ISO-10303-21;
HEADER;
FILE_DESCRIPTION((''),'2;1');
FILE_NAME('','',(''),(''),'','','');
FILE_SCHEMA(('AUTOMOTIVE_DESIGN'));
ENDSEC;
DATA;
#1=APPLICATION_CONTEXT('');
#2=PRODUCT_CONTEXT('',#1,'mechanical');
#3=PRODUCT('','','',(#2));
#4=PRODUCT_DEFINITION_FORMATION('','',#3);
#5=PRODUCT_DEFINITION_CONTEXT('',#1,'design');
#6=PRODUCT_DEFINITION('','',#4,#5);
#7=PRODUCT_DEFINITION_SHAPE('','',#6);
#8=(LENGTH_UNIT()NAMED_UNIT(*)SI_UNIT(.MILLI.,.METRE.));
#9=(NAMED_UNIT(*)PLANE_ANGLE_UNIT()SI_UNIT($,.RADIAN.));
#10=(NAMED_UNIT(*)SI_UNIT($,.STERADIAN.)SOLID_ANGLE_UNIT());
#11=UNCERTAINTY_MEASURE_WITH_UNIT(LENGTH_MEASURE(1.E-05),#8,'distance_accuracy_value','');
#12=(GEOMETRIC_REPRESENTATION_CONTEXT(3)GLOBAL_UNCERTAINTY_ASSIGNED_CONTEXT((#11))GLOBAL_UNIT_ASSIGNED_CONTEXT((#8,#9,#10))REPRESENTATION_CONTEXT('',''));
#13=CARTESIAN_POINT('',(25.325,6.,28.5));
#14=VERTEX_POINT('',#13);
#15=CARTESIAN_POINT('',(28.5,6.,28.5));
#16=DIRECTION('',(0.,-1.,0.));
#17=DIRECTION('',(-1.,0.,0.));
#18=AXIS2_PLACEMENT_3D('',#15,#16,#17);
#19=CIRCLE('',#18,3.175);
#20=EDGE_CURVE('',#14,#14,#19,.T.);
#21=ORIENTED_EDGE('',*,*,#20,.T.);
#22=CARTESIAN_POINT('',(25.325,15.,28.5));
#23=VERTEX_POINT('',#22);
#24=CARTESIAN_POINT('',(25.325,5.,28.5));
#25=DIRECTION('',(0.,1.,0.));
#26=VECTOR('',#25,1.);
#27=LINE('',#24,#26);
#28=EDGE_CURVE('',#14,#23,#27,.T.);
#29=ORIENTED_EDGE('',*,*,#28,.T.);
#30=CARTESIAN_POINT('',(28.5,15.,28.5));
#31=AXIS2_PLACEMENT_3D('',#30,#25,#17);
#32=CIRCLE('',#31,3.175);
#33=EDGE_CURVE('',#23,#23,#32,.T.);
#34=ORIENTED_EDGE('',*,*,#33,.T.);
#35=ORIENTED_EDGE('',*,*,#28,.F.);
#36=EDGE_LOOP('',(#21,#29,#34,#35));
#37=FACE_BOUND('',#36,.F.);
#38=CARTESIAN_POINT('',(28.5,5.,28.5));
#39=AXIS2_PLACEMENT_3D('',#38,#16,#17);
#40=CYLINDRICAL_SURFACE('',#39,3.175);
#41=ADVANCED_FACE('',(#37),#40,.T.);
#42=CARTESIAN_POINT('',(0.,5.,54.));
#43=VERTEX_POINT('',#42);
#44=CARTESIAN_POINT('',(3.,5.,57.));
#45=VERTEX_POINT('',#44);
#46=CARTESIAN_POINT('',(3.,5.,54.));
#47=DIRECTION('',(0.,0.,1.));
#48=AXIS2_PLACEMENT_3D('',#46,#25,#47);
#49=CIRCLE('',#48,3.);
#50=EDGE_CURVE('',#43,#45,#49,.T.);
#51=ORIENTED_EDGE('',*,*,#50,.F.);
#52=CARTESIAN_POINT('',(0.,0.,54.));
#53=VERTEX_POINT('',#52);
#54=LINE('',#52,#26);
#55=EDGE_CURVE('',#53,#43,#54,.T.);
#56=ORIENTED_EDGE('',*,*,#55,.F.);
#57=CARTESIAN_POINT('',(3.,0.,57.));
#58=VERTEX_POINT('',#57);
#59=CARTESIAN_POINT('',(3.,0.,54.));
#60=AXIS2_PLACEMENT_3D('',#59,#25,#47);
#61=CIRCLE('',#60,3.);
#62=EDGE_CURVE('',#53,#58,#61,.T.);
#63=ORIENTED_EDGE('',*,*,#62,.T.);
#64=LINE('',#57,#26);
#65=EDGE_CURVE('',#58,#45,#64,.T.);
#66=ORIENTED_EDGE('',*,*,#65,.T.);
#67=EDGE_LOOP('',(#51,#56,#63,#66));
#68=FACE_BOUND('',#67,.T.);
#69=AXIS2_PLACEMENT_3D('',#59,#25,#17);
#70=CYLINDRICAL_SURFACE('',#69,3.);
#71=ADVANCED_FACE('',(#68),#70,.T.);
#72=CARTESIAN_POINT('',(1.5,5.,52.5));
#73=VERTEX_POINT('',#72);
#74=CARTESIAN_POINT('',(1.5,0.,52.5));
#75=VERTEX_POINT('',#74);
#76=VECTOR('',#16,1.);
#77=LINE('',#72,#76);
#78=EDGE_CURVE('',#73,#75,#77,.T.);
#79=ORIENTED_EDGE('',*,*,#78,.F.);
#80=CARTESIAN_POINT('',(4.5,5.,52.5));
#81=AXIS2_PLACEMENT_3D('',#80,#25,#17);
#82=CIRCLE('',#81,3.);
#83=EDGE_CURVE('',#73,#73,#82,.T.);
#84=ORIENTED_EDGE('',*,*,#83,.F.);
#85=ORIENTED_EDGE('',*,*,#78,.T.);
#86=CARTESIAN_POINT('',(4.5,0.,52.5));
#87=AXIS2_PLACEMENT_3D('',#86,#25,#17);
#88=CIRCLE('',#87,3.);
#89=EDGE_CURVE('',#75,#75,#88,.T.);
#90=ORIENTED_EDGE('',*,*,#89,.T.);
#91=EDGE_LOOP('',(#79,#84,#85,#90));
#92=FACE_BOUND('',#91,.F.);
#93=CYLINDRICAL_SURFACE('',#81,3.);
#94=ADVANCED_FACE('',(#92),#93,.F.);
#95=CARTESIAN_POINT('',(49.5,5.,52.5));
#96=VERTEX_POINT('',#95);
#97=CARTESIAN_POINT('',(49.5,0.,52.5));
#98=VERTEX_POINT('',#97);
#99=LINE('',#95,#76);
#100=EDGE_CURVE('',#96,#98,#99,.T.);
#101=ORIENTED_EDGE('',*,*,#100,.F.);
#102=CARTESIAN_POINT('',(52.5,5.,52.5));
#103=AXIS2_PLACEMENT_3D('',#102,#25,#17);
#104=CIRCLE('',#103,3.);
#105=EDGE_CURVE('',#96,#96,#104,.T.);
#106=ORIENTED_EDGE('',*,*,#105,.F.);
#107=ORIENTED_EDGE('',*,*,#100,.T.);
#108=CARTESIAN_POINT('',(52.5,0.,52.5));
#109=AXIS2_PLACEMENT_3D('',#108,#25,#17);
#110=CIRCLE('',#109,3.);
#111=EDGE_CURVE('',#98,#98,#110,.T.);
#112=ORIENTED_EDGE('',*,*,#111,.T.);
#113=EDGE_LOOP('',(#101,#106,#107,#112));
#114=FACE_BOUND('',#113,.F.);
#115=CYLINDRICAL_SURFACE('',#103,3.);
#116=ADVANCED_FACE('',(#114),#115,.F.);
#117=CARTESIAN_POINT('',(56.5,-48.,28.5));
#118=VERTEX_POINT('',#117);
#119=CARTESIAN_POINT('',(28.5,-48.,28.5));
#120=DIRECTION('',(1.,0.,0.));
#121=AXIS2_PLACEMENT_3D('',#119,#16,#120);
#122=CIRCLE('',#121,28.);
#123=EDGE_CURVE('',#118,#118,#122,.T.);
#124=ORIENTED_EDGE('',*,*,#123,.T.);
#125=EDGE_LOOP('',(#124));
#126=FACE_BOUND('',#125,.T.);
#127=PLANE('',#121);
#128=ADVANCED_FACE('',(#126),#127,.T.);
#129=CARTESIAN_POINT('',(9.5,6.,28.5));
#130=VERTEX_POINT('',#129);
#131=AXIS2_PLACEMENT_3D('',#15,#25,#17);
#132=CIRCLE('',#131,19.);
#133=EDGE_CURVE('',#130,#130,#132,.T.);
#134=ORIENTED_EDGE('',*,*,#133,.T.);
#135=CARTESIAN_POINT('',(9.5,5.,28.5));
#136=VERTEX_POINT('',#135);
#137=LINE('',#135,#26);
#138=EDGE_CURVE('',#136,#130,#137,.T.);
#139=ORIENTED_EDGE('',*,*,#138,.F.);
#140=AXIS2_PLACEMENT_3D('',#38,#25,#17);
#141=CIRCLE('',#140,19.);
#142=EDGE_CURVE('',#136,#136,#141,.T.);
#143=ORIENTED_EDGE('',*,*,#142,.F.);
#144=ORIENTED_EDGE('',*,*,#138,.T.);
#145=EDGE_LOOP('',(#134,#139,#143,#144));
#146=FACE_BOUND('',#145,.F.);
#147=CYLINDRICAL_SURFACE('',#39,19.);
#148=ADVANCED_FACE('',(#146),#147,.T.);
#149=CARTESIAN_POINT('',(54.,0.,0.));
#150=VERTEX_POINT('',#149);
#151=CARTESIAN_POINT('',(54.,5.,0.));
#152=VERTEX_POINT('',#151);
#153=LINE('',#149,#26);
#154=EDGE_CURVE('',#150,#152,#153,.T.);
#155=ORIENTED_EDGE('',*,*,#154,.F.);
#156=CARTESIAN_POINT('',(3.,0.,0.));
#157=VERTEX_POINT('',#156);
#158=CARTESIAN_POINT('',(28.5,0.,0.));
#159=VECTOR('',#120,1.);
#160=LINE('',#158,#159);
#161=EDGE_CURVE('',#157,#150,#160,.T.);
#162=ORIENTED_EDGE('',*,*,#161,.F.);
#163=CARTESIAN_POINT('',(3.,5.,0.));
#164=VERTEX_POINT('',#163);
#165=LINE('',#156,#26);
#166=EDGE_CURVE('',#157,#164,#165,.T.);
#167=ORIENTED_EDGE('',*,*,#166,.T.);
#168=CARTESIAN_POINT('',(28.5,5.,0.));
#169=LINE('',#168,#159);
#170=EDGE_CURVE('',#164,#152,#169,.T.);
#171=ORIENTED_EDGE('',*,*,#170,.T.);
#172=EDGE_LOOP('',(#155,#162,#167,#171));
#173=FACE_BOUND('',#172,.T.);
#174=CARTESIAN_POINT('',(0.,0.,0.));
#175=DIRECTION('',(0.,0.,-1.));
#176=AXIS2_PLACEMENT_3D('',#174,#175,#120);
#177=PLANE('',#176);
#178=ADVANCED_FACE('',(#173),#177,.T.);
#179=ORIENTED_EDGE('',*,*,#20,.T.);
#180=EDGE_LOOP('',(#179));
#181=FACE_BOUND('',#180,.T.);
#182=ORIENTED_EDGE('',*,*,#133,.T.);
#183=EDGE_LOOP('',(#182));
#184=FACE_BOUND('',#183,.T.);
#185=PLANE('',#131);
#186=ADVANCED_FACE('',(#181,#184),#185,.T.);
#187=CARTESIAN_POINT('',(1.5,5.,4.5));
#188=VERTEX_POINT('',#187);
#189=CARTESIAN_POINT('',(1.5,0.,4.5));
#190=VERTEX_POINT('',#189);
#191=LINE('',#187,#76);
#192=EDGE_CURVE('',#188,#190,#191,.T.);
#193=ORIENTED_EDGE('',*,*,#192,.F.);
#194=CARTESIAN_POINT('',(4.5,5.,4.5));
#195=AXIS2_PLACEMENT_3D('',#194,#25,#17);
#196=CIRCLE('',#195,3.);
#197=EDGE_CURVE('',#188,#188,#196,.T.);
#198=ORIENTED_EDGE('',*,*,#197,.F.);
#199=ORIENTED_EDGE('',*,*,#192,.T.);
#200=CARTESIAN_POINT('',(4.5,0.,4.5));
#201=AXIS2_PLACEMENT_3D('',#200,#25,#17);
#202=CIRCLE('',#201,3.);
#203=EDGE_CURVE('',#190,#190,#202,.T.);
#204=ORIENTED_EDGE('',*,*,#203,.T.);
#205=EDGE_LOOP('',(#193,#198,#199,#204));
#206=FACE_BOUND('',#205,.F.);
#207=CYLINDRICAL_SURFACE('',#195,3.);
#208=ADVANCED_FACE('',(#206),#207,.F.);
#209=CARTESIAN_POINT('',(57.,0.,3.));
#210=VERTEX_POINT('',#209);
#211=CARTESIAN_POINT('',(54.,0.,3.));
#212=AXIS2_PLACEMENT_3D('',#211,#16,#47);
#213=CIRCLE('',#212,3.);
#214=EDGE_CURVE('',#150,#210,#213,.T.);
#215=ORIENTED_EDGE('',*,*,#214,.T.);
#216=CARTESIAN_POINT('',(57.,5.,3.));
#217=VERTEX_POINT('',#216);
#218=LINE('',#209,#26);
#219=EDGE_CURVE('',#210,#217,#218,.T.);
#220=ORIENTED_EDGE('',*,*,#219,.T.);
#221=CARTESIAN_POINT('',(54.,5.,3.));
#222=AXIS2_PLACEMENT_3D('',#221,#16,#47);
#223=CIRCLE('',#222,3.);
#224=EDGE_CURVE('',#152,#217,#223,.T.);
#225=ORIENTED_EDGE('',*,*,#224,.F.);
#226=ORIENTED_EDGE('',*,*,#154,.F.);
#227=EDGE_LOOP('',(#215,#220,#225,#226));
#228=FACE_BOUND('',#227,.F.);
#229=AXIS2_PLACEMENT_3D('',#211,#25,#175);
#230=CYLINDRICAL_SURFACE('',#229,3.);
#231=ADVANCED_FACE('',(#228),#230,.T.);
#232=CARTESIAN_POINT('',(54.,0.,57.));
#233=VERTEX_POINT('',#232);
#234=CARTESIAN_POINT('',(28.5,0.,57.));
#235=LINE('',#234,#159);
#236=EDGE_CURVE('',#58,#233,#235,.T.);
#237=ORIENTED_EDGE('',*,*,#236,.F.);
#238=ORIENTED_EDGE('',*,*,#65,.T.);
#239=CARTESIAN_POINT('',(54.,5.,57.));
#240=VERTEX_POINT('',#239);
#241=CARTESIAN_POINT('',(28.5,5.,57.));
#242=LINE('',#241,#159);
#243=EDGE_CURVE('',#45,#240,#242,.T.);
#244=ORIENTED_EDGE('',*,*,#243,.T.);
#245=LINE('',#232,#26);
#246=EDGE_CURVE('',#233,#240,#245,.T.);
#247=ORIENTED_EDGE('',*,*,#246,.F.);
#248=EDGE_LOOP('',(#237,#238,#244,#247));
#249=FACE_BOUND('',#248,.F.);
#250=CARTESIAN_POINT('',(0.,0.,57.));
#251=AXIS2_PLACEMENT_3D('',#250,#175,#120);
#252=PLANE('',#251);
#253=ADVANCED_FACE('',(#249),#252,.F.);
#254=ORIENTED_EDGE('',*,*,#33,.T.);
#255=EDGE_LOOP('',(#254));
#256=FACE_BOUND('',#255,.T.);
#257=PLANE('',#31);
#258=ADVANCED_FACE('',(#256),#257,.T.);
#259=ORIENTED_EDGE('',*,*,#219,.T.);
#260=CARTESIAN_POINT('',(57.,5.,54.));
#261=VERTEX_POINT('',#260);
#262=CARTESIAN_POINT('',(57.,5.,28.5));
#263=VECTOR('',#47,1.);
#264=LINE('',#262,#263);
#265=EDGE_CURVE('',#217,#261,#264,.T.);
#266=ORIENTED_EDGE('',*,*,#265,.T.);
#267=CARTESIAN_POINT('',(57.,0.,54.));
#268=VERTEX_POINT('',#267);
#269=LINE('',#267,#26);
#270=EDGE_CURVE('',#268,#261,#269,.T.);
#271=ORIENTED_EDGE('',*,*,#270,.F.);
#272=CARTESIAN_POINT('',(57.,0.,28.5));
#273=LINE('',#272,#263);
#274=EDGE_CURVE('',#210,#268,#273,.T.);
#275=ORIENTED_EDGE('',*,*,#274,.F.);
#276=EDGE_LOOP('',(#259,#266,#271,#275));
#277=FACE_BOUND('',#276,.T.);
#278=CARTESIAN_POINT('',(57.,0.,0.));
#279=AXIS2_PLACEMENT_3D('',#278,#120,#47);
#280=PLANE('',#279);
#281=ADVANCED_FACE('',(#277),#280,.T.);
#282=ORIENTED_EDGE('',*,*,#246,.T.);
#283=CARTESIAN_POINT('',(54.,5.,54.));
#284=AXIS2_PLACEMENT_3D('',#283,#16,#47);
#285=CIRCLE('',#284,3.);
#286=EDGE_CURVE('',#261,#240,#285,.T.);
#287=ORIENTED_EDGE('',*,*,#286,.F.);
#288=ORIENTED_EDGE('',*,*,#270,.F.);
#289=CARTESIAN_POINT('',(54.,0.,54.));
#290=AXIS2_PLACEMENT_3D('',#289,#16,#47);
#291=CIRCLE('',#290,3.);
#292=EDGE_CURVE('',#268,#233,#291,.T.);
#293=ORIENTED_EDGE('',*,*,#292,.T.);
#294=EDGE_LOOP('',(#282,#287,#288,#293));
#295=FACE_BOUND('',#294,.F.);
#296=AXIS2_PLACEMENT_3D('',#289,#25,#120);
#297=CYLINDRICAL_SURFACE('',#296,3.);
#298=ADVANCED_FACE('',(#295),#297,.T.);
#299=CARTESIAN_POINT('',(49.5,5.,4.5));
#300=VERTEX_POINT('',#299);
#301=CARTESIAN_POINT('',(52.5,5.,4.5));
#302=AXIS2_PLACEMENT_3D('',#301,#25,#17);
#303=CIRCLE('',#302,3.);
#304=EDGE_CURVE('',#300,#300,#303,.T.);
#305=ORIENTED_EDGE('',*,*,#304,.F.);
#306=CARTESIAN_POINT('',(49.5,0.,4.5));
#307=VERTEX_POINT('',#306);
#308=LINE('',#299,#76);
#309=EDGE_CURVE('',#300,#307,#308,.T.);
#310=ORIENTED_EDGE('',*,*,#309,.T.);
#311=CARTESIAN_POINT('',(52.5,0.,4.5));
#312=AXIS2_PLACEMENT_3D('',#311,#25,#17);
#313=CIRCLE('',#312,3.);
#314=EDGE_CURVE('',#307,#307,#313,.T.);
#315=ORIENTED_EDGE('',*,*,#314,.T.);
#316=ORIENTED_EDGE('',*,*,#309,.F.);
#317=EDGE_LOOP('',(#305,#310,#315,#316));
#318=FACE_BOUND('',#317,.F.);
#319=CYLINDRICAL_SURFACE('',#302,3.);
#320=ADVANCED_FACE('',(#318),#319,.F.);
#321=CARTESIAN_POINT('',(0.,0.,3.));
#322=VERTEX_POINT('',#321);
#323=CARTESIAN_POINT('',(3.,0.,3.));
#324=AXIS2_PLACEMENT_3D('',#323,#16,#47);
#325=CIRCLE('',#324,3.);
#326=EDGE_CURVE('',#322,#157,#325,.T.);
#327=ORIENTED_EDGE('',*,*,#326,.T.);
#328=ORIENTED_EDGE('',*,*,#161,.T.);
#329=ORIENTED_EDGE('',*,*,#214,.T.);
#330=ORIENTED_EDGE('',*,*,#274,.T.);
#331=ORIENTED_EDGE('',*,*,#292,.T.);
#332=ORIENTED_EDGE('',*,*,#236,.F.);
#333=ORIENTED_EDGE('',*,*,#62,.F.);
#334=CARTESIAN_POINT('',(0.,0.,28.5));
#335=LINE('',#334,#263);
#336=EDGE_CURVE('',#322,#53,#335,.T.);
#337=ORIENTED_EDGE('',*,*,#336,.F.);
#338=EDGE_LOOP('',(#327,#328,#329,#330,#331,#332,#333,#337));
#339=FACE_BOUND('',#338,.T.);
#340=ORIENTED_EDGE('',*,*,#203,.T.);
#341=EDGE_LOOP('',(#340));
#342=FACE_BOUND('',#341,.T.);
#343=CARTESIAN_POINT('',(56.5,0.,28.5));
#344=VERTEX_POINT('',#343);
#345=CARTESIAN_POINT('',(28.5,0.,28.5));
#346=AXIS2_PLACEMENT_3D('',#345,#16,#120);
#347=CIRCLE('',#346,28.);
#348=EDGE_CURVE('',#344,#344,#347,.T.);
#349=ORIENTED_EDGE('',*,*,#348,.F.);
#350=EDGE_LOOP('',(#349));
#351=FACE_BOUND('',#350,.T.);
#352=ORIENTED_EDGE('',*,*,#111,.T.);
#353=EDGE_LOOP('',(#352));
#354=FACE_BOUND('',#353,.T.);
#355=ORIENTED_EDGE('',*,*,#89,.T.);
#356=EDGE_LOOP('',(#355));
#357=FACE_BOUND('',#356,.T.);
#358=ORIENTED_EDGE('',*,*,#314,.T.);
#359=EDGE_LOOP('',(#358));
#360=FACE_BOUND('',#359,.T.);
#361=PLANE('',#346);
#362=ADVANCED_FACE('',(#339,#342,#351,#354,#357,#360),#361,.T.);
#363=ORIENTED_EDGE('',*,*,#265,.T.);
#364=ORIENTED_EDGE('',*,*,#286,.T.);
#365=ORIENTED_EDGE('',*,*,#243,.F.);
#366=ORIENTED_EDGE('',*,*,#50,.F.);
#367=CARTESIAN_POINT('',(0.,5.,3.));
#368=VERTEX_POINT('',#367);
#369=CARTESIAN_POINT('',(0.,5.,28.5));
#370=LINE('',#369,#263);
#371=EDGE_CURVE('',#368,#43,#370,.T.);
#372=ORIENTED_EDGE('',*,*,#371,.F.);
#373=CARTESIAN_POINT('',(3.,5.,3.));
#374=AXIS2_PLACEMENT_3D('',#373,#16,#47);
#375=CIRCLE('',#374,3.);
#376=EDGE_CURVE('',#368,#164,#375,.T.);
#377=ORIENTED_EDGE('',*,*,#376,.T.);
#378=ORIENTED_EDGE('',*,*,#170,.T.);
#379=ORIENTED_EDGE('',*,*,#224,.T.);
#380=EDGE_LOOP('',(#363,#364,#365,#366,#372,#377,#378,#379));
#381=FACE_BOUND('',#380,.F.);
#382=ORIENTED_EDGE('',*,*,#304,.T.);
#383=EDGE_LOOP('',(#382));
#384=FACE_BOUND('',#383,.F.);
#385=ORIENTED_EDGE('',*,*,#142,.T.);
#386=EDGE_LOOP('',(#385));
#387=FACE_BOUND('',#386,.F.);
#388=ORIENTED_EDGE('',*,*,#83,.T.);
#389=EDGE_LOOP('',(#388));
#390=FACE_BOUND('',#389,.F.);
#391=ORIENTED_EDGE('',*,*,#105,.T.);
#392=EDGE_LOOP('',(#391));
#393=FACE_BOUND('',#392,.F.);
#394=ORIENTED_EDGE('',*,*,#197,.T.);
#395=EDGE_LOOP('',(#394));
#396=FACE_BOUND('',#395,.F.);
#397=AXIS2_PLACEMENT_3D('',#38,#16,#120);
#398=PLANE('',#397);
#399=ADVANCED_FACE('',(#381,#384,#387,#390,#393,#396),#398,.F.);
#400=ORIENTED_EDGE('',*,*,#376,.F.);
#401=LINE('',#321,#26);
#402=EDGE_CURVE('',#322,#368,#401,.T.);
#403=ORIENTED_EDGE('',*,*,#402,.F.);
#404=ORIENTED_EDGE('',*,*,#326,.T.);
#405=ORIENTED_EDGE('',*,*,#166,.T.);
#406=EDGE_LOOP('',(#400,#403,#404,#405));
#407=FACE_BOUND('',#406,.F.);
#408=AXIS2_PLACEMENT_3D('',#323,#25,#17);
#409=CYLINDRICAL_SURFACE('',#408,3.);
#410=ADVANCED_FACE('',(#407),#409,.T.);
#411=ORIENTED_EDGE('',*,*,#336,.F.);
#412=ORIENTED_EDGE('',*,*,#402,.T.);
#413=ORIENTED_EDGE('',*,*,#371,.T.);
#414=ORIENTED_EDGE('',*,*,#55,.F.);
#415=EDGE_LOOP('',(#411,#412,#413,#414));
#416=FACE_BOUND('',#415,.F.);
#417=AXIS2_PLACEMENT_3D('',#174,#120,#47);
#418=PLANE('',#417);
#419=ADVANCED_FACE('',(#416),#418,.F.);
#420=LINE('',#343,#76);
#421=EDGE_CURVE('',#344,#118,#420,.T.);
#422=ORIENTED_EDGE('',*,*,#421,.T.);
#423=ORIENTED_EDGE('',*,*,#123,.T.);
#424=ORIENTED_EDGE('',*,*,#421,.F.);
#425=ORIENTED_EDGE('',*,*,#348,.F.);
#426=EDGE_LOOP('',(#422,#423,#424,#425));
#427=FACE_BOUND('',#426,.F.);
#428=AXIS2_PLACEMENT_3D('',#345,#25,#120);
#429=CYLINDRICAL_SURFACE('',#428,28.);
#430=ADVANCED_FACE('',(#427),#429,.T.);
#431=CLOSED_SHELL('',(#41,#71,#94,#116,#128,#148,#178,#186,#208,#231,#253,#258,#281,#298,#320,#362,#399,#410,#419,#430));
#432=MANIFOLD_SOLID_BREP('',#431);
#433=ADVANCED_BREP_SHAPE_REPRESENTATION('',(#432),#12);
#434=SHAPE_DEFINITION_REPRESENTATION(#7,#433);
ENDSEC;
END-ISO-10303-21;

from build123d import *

# Parameters (mm, degrees)
SKETCH_W     = 57
SKETCH_H     = 57
PAD_DEPTH    = 5
FILLET_R     = 3
SKETCH001_R  = 28
PAD001_DEPTH = 48
SKETCH002_R  = 3.175
PAD002_DEPTH = 10
SKETCH003_R  = 19
PAD003_DEPTH = 1
SKETCH004_R  = 3
POCKET_DEPTH = 53.001


with BuildPart() as part:
    # Sketch → Pad (new body)
    with BuildSketch(Plane.XZ):
        with Locations((28.5, 28.5)):
            Rectangle(SKETCH_W, SKETCH_H)
    extrude(amount=-PAD_DEPTH)

    # Fillet
    fillet_edges = [part.edges().sort_by_distance(p)[0] for p in [
        (0, 2.5, 0),
        (57, 2.5, 0),
        (57, 2.5, 57),
        (0, 2.5, 57),
    ]]
    fillet(fillet_edges, radius=FILLET_R)

    # Sketch001 → Pad001 (new body)
    with BuildSketch(Plane.XZ):
        with Locations((28.5, 28.5)):
            Circle(SKETCH001_R)
    extrude(amount=PAD001_DEPTH)

    # Sketch002 → Pad002 (new body)
    with BuildSketch(Plane(origin=(0, 5, 0), x_dir=(-1, 0, 0), z_dir=(0, 1, 0))):
        with Locations((-28.5, 28.5)):
            Circle(SKETCH002_R)
    extrude(amount=PAD002_DEPTH)

    # Sketch003 → Pad003 (new body)
    with BuildSketch(Plane(origin=(0, 5, 0), x_dir=(-1, 0, 0), z_dir=(0, 1, 0))):
        with Locations((-28.5, 28.5)):
            Circle(SKETCH003_R)
    extrude(amount=PAD003_DEPTH)

    # Sketch004 → Pocket (cut, through all)
    with BuildSketch(Plane(origin=(0, 5, 0), x_dir=(-1, 0, 0), z_dir=(0, 1, 0))):
        with Locations((-52.5, 52.5)):
            Circle(SKETCH004_R)
        with Locations((-4.5, 52.5)):
            Circle(SKETCH004_R)
        with Locations((-52.5, 4.5)):
            Circle(SKETCH004_R)
        with Locations((-4.5, 4.5)):
            Circle(SKETCH004_R)
    extrude(amount=-POCKET_DEPTH, mode=Mode.SUBTRACT)


solid = part.part
